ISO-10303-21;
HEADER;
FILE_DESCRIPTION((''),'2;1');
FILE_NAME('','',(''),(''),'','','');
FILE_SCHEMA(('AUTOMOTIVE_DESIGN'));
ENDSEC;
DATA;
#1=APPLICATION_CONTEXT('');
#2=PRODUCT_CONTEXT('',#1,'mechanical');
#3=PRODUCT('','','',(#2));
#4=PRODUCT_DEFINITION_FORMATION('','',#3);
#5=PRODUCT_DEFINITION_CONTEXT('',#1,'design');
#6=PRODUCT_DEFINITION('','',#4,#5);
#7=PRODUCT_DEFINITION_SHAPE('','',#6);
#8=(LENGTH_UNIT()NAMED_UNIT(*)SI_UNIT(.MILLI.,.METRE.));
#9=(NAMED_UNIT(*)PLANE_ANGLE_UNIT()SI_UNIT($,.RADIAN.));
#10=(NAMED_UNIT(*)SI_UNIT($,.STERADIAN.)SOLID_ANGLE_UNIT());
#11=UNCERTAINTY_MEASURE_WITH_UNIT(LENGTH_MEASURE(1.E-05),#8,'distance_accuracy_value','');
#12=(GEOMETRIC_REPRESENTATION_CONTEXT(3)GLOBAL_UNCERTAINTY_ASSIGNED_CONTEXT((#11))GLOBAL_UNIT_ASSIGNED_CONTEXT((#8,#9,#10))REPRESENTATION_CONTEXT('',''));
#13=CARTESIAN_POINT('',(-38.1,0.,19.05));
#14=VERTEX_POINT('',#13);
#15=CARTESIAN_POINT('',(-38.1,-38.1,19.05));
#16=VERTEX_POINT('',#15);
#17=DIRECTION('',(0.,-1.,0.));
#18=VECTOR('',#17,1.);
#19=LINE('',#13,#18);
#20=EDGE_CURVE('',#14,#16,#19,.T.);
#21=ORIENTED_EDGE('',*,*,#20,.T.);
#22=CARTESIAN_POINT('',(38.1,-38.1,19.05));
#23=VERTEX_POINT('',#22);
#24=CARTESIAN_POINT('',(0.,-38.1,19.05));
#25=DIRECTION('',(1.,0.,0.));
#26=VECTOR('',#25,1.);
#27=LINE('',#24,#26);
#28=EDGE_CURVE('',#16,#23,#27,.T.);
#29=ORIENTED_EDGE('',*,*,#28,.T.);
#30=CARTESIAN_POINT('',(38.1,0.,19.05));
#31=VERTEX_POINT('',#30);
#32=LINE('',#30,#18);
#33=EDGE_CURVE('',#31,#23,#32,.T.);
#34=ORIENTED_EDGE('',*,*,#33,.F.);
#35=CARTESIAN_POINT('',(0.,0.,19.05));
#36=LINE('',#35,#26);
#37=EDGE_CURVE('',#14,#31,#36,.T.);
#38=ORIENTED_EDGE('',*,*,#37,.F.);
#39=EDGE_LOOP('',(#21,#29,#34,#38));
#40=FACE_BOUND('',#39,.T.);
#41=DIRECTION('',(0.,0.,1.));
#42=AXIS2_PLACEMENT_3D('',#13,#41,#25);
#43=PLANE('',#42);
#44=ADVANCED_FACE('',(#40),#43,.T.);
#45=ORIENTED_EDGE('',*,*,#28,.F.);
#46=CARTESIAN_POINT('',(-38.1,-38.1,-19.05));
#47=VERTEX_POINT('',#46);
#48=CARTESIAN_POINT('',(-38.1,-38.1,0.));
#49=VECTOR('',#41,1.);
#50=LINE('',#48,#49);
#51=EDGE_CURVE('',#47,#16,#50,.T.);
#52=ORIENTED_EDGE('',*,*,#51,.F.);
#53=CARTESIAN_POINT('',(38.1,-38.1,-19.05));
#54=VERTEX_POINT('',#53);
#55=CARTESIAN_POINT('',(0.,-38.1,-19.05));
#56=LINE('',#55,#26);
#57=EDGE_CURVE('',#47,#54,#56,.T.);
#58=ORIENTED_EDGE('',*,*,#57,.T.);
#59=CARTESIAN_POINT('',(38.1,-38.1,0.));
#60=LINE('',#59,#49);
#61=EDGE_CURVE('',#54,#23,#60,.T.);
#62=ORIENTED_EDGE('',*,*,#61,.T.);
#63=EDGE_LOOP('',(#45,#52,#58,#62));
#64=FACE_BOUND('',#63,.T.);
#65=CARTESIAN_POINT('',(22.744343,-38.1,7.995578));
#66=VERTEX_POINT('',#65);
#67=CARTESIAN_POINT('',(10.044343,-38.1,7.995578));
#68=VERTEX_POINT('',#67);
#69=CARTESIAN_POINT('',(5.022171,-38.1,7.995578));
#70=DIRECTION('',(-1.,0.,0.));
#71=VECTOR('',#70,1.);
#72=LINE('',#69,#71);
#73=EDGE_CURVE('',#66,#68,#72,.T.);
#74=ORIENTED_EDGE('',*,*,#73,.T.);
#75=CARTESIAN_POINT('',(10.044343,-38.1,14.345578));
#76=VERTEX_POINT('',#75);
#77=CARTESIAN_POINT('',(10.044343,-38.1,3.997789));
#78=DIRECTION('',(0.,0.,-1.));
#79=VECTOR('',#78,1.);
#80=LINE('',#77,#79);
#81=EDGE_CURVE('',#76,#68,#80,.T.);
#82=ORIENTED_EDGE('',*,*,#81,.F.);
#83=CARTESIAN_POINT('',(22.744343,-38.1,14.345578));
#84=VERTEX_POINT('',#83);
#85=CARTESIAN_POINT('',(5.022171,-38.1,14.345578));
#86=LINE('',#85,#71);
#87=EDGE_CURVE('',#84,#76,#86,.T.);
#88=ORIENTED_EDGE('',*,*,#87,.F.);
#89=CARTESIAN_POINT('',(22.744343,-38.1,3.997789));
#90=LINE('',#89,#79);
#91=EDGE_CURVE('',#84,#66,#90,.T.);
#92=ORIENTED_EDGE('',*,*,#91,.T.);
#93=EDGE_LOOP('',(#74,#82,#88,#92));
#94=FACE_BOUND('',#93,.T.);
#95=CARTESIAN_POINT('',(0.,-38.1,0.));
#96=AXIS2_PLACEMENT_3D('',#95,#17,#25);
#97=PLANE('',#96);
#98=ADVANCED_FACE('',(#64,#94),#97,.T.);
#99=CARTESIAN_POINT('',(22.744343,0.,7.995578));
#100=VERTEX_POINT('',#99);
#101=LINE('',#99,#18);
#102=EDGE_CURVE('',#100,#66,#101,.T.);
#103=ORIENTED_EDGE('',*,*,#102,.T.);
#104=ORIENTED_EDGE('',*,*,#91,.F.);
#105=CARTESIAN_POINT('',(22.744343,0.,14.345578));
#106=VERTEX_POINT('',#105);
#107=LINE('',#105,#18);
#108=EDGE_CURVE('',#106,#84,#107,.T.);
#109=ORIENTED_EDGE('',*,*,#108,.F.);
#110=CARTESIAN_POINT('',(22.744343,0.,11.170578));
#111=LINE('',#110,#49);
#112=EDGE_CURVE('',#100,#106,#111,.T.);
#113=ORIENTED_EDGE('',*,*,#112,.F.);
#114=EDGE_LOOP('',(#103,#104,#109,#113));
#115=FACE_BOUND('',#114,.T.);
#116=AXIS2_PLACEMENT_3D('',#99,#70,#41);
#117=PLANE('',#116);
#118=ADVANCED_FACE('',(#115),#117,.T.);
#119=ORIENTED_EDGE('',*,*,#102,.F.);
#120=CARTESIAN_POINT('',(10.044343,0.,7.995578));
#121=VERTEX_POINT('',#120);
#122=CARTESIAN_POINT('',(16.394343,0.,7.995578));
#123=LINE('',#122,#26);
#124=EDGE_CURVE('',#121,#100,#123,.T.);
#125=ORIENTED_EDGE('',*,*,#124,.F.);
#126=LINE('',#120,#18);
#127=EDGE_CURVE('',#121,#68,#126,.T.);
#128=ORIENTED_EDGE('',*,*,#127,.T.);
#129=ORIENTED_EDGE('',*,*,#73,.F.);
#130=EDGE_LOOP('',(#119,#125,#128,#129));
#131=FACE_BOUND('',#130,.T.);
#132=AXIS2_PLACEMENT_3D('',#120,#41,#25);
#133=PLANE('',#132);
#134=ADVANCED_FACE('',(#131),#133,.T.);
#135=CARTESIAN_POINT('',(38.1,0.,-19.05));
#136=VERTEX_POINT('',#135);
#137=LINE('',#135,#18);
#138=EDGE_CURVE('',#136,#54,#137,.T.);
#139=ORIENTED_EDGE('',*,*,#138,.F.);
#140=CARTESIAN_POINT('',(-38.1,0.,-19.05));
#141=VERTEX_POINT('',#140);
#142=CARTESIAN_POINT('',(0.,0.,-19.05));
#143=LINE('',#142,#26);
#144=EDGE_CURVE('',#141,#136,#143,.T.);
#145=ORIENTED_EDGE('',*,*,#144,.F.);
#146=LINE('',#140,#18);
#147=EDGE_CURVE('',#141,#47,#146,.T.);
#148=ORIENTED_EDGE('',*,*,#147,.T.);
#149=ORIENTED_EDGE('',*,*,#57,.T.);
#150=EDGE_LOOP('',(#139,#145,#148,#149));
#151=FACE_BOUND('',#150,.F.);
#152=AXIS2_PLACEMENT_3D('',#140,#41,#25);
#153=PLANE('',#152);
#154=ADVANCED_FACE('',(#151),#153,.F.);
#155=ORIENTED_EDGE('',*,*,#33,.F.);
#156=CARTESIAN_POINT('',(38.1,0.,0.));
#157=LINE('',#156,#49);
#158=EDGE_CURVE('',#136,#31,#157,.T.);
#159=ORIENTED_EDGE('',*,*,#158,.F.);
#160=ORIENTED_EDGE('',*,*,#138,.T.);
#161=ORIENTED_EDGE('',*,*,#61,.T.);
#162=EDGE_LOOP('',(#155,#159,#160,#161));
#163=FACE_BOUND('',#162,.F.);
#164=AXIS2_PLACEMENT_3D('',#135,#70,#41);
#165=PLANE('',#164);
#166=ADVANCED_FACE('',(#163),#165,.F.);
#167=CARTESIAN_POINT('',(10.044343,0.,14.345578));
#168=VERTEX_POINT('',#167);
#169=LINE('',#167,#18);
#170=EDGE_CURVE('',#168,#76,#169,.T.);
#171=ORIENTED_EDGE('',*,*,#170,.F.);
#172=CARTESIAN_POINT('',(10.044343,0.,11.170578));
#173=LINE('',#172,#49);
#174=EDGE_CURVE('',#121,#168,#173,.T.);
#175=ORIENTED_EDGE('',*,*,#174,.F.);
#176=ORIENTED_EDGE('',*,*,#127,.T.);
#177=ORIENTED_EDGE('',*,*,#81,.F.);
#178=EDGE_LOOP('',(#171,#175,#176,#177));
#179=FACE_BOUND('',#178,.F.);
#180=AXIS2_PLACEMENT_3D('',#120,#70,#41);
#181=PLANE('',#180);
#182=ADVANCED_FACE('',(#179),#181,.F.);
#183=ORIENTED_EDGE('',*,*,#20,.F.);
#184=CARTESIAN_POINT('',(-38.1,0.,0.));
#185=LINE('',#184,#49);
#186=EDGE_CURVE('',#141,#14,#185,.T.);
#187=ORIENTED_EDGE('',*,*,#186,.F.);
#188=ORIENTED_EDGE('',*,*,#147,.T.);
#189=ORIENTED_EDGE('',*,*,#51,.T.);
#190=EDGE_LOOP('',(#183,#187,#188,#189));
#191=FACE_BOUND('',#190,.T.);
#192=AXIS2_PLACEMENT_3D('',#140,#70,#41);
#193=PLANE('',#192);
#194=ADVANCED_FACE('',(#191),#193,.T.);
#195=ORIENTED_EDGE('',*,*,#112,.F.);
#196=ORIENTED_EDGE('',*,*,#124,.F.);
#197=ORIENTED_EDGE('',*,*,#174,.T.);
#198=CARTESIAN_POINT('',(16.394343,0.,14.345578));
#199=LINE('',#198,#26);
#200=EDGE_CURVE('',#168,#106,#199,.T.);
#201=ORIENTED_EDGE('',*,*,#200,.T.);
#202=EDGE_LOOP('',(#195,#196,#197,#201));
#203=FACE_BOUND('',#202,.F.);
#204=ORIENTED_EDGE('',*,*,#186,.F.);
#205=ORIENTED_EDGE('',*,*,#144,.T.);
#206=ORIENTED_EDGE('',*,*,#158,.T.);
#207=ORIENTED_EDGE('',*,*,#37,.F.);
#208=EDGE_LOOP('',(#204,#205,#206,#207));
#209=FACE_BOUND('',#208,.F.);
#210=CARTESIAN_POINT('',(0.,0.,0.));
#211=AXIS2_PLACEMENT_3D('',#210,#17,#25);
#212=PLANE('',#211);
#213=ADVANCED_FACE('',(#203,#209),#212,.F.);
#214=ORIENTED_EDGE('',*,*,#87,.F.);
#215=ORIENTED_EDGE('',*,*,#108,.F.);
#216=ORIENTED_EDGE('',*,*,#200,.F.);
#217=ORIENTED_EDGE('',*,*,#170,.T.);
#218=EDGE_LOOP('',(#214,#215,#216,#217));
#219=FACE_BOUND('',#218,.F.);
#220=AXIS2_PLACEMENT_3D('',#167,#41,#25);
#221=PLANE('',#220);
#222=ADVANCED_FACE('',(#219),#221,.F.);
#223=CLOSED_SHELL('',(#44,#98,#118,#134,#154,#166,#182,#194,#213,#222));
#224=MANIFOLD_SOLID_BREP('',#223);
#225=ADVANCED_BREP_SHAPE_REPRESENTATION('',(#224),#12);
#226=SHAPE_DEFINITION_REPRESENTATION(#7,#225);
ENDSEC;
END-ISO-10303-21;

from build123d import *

# Parameters (mm, degrees)
F0_W     = 76.2
F0_H     = 38.1
F2_DEPTH = 38.1
F1_W     = 12.7
F1_H     = 6.35
F3_DEPTH = 64.516


with BuildPart() as f2:
    # F0 (on Front) → F2 (new body)
    with BuildSketch(Plane.XZ):
        Rectangle(F0_W, F0_H)
    extrude(amount=F2_DEPTH)

    # F1 (on face) → F3 (cut)
    with BuildSketch(Plane.XZ):
        with Locations((16.394343, 11.170578)):
            Rectangle(F1_W, F1_H)
    extrude(amount=F3_DEPTH, mode=Mode.SUBTRACT)


solid = f2.part
